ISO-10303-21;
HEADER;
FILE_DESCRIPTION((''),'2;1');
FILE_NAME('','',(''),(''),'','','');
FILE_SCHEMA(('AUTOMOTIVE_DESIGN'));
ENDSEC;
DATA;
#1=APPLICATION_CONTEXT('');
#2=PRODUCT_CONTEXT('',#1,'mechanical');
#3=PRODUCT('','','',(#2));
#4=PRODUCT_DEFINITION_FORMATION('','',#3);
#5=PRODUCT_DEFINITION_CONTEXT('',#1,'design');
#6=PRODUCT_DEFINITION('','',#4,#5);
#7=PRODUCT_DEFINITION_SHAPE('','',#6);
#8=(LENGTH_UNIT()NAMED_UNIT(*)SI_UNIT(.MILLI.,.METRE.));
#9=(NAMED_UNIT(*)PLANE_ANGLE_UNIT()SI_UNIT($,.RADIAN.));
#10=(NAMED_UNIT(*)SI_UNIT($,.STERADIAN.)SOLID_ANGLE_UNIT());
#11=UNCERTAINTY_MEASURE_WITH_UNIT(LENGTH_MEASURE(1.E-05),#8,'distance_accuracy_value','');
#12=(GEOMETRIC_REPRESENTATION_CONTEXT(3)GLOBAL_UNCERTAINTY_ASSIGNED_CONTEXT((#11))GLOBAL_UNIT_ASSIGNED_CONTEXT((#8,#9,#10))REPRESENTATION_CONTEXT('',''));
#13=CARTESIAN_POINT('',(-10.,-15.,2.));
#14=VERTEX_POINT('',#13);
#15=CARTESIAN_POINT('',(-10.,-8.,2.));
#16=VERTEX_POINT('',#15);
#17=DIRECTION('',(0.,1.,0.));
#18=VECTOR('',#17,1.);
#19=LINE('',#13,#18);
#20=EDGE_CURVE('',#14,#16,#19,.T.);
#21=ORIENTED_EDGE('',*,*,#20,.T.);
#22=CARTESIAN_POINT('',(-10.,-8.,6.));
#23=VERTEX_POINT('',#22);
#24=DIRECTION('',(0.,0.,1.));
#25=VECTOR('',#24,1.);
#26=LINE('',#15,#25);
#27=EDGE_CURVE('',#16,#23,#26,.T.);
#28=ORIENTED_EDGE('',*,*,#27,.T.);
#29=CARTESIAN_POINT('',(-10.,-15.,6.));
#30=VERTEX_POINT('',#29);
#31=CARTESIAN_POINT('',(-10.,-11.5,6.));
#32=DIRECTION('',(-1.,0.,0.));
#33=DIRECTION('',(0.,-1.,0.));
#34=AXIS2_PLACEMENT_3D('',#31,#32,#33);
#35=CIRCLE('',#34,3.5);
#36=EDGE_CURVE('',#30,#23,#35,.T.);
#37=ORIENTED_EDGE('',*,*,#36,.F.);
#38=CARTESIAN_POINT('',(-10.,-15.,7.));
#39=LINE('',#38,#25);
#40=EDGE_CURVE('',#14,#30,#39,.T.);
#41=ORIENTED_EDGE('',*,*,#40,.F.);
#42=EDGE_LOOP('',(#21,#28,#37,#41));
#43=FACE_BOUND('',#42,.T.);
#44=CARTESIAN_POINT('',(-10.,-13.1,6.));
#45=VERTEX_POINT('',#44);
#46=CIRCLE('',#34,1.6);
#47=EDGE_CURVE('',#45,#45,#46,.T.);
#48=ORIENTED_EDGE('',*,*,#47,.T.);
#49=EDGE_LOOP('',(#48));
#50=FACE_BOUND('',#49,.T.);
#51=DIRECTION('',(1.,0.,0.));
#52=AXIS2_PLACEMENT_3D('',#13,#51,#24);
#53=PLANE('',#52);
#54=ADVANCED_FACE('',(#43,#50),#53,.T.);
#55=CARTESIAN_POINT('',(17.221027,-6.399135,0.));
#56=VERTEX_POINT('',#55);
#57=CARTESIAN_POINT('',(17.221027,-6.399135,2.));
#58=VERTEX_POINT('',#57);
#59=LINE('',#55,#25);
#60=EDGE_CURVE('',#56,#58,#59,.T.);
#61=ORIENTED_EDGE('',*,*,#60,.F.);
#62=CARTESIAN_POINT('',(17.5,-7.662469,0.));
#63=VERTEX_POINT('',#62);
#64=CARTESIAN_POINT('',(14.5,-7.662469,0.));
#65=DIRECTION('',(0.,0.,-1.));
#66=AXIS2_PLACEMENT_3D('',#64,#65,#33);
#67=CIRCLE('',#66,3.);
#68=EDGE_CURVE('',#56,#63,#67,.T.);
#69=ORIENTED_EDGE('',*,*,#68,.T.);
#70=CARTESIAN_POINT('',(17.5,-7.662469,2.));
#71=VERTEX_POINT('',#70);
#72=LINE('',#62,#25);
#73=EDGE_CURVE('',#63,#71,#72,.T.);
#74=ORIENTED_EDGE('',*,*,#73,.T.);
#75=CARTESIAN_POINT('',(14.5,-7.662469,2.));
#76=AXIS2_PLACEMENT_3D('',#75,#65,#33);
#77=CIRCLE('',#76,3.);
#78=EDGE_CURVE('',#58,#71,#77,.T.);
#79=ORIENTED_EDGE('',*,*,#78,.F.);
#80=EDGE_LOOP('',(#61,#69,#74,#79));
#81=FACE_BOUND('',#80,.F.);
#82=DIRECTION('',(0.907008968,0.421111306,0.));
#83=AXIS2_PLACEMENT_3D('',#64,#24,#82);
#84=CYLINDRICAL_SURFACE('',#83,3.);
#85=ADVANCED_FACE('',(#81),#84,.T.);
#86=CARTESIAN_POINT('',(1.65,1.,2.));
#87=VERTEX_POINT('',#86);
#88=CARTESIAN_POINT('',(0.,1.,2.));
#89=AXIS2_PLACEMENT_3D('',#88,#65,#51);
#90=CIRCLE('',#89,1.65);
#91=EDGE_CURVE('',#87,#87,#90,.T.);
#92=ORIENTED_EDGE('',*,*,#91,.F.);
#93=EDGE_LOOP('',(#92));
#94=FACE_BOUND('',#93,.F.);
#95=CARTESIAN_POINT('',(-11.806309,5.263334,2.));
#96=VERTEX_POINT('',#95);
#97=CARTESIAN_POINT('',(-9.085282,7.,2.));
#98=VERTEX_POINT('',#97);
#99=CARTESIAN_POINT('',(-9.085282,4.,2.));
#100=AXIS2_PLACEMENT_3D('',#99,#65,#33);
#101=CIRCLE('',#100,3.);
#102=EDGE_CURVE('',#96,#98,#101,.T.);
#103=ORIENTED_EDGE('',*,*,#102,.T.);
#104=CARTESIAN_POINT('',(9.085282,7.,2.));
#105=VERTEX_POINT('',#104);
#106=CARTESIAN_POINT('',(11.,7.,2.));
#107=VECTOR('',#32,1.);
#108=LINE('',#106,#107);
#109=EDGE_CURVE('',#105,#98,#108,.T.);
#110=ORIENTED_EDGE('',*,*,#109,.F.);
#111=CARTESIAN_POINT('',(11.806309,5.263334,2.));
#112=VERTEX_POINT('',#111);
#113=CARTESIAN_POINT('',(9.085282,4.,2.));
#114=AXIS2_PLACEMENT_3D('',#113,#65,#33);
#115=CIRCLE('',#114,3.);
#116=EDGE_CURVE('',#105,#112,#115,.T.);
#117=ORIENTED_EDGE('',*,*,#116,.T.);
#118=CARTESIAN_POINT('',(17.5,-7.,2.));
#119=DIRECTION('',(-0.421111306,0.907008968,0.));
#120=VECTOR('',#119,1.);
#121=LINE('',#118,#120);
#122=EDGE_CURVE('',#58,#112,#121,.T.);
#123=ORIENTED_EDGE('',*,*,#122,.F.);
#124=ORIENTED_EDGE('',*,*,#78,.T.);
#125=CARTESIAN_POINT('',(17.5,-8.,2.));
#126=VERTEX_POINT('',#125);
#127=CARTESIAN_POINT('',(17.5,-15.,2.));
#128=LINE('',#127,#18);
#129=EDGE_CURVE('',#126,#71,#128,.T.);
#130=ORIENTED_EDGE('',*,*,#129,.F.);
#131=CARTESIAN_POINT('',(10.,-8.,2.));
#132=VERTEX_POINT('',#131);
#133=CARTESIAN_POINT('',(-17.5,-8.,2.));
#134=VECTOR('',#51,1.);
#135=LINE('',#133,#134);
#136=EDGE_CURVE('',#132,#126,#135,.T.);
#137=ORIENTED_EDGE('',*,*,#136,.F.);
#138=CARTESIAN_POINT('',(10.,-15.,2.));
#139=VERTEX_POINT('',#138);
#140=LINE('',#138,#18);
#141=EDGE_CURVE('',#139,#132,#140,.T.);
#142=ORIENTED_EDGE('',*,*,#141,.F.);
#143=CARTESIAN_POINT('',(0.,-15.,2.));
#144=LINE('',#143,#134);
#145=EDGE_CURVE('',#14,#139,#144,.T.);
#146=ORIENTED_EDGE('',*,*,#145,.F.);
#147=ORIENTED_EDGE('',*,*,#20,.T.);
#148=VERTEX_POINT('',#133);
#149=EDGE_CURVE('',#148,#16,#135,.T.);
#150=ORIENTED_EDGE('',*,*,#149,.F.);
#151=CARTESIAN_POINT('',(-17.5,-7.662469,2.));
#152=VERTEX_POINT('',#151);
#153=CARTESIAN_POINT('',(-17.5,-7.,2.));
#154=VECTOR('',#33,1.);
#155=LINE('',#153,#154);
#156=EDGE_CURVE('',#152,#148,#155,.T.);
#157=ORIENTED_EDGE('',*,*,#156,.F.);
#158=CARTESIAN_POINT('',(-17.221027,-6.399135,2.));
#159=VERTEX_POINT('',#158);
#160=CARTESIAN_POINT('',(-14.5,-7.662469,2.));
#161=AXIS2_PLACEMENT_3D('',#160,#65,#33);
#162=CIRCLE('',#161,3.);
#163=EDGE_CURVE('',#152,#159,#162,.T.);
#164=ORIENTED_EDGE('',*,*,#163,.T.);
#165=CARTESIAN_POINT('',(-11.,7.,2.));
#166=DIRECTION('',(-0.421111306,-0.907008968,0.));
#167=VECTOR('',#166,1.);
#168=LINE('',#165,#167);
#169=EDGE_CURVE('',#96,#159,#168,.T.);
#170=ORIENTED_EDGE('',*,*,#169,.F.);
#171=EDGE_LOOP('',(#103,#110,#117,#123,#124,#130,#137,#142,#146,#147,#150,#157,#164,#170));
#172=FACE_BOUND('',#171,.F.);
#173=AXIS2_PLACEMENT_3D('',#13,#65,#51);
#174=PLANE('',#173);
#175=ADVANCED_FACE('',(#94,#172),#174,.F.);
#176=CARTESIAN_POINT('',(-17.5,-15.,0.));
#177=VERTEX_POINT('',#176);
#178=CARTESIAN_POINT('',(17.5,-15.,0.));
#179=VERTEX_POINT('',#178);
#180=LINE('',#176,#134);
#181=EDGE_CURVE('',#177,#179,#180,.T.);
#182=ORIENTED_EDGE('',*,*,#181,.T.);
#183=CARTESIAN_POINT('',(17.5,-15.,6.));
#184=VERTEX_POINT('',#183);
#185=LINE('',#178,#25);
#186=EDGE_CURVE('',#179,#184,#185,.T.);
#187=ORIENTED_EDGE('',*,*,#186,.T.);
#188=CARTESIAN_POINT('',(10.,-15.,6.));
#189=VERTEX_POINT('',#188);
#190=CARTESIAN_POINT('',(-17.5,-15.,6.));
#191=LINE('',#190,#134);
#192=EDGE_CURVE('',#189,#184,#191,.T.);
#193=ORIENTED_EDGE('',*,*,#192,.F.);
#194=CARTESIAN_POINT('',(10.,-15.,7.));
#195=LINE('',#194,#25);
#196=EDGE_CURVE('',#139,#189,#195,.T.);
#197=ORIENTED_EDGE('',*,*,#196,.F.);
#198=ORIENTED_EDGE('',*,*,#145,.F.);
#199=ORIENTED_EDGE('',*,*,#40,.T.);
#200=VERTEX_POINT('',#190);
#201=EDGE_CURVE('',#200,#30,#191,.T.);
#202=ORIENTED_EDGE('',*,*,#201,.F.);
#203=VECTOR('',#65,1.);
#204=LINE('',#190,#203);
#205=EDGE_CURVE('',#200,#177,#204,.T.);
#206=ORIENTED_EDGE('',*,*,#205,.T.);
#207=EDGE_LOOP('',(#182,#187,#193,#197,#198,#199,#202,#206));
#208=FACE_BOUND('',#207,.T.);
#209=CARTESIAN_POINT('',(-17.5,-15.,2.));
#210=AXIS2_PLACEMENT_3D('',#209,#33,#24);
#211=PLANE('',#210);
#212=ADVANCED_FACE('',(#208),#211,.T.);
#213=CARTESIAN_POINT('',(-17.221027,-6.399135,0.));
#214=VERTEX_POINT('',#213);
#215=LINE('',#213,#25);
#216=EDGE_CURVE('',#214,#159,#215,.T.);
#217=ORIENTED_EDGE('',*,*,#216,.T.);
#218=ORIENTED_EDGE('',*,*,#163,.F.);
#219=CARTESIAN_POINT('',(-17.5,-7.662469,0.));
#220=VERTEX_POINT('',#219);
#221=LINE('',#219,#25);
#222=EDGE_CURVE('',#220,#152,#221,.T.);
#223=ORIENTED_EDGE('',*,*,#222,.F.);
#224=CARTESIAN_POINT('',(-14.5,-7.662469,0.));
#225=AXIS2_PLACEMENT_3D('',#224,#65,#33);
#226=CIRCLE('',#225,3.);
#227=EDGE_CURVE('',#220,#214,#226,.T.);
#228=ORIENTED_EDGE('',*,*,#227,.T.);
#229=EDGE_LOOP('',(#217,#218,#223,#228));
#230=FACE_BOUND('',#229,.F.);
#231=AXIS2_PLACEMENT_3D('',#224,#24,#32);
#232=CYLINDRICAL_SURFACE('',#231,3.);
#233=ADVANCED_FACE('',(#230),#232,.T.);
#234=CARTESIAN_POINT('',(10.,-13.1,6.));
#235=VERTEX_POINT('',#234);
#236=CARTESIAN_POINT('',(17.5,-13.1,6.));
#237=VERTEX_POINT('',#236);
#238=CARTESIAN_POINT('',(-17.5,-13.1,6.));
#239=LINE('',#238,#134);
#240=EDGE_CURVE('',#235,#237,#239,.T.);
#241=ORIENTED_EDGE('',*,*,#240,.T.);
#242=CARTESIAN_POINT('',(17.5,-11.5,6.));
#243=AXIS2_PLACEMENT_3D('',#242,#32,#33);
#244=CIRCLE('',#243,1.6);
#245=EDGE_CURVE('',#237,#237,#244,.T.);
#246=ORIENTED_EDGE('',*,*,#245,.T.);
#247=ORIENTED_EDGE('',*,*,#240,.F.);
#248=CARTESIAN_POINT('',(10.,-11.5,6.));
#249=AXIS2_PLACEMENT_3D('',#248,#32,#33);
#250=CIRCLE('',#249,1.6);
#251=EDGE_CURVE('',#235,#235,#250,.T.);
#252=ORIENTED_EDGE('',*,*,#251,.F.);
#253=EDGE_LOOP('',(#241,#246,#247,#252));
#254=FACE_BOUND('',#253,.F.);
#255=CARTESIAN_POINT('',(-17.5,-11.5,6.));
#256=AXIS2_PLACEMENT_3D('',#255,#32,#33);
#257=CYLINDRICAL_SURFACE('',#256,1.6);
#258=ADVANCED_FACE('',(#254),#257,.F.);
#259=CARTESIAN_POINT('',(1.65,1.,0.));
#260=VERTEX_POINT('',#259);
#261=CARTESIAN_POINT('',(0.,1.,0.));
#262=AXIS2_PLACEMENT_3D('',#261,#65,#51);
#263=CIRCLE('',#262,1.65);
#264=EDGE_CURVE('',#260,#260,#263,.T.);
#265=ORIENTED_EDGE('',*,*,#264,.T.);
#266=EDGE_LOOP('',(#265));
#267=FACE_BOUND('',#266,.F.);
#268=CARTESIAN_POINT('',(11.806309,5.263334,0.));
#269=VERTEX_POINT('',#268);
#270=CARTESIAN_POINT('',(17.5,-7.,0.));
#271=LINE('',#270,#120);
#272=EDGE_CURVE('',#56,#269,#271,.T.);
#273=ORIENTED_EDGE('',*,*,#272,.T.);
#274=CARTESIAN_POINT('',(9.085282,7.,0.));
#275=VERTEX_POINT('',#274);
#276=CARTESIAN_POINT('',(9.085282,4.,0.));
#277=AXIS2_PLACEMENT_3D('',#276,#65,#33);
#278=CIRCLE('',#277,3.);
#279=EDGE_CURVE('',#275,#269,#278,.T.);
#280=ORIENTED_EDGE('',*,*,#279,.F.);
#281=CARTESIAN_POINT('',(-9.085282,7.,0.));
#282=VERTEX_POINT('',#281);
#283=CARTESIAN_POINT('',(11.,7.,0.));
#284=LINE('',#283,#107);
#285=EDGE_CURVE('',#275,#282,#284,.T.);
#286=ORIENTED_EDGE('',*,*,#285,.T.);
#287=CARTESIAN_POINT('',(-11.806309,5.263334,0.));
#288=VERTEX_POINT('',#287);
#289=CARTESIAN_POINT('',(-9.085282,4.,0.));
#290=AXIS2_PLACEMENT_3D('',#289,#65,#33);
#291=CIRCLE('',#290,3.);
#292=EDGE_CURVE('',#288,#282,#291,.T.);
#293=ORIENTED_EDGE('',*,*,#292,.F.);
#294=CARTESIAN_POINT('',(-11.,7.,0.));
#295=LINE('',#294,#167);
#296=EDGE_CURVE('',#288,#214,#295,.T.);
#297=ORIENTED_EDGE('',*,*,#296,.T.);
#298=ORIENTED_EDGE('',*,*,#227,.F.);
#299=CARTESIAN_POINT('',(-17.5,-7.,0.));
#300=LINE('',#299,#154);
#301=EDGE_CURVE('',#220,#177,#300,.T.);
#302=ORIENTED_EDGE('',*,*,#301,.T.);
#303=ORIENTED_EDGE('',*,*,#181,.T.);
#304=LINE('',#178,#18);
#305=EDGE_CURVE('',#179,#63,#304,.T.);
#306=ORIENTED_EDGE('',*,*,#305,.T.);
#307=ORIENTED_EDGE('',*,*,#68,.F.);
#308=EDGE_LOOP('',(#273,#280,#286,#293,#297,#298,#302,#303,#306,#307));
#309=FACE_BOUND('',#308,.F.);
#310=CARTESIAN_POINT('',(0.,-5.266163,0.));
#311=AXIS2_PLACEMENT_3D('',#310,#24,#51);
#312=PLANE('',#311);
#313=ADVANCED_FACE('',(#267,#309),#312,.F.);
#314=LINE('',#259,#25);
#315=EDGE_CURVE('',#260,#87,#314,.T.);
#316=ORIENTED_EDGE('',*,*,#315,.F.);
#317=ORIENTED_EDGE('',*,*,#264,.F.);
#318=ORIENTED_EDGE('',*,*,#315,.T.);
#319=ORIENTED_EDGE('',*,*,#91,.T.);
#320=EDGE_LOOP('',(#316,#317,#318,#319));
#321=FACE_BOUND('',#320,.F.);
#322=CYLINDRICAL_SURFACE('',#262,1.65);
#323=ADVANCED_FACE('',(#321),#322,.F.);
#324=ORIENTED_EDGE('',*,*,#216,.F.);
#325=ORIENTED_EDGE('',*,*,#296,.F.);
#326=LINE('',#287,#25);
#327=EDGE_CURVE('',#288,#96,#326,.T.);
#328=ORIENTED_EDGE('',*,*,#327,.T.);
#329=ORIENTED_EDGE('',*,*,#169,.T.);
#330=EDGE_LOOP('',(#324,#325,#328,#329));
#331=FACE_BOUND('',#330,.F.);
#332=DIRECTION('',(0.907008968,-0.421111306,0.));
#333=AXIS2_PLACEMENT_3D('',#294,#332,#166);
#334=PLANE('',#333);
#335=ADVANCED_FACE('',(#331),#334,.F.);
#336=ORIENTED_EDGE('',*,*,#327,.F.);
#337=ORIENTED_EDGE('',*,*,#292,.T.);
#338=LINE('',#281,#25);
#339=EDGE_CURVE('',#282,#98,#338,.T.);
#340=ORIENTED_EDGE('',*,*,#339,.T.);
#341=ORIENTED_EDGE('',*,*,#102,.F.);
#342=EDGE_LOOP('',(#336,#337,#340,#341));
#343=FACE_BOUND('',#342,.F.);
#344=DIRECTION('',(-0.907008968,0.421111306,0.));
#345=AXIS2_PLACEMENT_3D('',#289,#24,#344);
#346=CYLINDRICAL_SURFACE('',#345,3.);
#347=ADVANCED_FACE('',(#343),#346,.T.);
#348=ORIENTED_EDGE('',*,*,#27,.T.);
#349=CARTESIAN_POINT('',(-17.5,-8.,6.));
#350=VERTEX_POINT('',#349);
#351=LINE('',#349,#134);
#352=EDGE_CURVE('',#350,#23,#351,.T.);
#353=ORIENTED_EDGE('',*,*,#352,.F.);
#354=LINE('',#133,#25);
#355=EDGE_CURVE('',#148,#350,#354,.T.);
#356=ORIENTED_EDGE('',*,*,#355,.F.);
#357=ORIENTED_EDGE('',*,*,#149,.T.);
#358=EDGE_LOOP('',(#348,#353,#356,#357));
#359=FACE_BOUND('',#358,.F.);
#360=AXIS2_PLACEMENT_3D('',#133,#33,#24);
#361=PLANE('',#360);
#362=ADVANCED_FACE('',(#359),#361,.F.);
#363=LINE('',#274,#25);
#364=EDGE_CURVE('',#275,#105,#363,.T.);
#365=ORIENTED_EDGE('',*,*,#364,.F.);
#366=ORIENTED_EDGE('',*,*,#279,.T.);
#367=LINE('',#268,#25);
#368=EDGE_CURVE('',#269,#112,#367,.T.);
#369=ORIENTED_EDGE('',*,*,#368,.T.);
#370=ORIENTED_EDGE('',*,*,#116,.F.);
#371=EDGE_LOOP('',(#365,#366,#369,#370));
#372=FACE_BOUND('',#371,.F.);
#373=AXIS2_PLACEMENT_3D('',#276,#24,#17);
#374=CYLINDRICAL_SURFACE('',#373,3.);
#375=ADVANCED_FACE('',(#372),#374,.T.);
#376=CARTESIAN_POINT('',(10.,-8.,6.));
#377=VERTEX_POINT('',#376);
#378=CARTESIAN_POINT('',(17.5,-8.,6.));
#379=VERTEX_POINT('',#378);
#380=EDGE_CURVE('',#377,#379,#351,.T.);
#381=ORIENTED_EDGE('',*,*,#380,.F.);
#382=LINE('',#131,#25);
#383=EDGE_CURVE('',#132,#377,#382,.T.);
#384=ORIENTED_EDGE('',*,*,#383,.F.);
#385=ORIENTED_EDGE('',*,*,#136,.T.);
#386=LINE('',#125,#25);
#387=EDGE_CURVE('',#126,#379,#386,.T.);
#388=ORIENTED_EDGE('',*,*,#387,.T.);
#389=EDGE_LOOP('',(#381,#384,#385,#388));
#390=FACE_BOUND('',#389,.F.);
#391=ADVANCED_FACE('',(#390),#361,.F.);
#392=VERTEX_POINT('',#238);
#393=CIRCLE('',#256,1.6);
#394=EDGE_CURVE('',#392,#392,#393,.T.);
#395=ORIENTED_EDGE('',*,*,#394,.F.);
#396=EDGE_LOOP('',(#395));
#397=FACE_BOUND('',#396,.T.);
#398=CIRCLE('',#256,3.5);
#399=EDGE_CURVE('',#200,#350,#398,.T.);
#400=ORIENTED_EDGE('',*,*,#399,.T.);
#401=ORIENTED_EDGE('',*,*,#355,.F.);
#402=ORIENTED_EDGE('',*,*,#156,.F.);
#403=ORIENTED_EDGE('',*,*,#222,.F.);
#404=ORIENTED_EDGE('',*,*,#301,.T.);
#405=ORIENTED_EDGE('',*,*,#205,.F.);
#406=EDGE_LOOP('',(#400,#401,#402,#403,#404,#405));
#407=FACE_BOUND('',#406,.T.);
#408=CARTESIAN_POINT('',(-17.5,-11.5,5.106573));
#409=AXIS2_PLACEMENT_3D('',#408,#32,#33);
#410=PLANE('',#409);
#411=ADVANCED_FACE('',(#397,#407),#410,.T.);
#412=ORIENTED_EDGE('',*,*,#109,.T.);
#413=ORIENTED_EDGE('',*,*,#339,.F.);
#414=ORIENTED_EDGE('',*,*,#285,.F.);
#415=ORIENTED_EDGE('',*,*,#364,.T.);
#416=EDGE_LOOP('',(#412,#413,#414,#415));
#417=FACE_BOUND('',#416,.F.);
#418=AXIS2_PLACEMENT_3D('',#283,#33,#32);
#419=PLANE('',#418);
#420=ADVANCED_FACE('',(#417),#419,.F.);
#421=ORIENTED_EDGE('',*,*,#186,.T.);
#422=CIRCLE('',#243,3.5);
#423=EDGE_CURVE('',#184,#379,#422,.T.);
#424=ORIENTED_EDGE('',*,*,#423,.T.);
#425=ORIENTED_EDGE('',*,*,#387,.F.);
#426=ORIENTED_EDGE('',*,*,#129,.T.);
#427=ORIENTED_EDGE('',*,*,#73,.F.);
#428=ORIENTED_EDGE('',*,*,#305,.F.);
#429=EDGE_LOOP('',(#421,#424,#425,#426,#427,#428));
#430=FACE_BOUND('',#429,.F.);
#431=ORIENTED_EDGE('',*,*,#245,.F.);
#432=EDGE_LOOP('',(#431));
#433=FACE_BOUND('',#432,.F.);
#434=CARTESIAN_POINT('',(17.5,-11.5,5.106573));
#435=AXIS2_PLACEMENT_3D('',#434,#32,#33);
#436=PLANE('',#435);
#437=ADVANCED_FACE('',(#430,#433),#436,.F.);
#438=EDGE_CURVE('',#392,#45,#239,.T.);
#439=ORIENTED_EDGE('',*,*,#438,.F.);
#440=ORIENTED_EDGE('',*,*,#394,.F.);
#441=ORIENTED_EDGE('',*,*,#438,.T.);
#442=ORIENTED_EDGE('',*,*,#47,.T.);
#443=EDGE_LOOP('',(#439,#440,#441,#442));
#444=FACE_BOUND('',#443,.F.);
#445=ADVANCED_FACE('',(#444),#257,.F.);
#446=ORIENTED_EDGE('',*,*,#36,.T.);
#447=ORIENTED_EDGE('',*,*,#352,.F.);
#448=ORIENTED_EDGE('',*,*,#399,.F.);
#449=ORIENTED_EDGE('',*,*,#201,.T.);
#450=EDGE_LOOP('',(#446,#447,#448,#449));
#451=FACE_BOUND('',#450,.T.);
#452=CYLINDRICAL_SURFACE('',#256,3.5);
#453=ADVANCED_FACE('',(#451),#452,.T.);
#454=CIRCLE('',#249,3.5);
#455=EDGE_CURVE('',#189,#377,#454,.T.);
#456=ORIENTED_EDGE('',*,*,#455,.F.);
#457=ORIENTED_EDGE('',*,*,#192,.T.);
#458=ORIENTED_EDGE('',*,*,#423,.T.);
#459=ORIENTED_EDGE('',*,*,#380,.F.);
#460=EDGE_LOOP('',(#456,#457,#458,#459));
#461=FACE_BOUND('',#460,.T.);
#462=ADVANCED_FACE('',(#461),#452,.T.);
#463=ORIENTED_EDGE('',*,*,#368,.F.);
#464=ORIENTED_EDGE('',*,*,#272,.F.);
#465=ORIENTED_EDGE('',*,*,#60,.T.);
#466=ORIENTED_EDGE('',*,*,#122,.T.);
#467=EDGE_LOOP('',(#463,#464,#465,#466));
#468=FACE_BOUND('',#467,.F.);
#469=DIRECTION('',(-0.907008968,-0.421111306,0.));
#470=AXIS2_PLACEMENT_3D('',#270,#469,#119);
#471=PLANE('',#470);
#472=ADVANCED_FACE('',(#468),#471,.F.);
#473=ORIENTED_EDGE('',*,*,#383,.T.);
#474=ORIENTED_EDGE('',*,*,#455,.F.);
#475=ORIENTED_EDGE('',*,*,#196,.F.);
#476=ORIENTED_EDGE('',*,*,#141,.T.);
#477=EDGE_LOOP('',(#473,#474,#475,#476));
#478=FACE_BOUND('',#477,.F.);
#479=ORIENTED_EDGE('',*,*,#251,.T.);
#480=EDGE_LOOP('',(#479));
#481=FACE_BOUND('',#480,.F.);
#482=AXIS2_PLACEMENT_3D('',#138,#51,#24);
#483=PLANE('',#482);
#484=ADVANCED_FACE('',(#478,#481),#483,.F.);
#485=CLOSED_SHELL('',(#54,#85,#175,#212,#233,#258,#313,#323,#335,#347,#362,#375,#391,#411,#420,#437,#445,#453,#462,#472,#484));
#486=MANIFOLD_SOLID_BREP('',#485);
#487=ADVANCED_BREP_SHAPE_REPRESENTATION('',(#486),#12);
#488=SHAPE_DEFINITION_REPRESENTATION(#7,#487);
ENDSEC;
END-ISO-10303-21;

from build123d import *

# Parameters (mm, degrees)
PAD_DEPTH       = 2
PAD001_DEPTH    = 35
SKETCH002_R     = 1.6
POCKET_DEPTH    = 35.001
SKETCH003_W     = 20
SKETCH003_H     = 10
POCKET001_DEPTH = 22.001
FILLET_R        = 3
SKETCH004_R     = 1.65
POCKET002_DEPTH = 5


with BuildPart() as part:
    # Sketch → Pad (new body)
    with BuildSketch(Plane.XY):
        Polygon((-17.5, -15), (17.5, -15), (17.5, -7), (11, 7), (-11, 7), (-17.5, -7), align=None)
    extrude(amount=PAD_DEPTH)

    # Sketch001 (on Face6 of Pad) → Pad001 (join)
    with BuildSketch(Plane(origin=(-17.5, 0, 0), x_dir=(0, -1, 0), z_dir=(-1, 0, 0))):
        with BuildLine():
            Line((15, 2), (15, 6))
            ThreePointArc((15, 6), (11.5, 9.5), (8, 6))
            Line((8, 2), (8, 6))
            Line((8, 2), (15, 2))
        make_face()
    extrude(amount=-PAD001_DEPTH)

    # Sketch002 (on Face8 of Pad001) → Pocket (cut, through all)
    with BuildSketch(Plane(origin=(-17.5, 0, 0), x_dir=(0, -1, 0), z_dir=(-1, 0, 0))):
        with Locations((11.5, 6)):
            Circle(SKETCH002_R)
    extrude(amount=-POCKET_DEPTH, mode=Mode.SUBTRACT)

    # Sketch003 (on Face1 of Pocket) → Pocket001 (cut, through all)
    with BuildSketch(Plane.XZ.offset(15)):
        with Locations((0, 7)):
            Rectangle(SKETCH003_W, SKETCH003_H)
    extrude(amount=-POCKET001_DEPTH, mode=Mode.SUBTRACT)

    # Fillet
    fillet_edges = [part.edges().sort_by_distance(p)[0] for p in [
        (-11, 7, 1),
        (-17.5, -7, 1),
        (11, 7, 1),
        (17.5, -7, 1),
    ]]
    fillet(fillet_edges, radius=FILLET_R)

    # Sketch004 (on Face2 of Fillet) → Pocket002 (cut)
    with BuildSketch(Plane(origin=(0, 0, 0), x_dir=(1, 0, 0), z_dir=(0, 0, -1))):
        with Locations((0, -1)):
            Circle(SKETCH004_R)
    extrude(amount=-POCKET002_DEPTH, mode=Mode.SUBTRACT)


solid = part.part
